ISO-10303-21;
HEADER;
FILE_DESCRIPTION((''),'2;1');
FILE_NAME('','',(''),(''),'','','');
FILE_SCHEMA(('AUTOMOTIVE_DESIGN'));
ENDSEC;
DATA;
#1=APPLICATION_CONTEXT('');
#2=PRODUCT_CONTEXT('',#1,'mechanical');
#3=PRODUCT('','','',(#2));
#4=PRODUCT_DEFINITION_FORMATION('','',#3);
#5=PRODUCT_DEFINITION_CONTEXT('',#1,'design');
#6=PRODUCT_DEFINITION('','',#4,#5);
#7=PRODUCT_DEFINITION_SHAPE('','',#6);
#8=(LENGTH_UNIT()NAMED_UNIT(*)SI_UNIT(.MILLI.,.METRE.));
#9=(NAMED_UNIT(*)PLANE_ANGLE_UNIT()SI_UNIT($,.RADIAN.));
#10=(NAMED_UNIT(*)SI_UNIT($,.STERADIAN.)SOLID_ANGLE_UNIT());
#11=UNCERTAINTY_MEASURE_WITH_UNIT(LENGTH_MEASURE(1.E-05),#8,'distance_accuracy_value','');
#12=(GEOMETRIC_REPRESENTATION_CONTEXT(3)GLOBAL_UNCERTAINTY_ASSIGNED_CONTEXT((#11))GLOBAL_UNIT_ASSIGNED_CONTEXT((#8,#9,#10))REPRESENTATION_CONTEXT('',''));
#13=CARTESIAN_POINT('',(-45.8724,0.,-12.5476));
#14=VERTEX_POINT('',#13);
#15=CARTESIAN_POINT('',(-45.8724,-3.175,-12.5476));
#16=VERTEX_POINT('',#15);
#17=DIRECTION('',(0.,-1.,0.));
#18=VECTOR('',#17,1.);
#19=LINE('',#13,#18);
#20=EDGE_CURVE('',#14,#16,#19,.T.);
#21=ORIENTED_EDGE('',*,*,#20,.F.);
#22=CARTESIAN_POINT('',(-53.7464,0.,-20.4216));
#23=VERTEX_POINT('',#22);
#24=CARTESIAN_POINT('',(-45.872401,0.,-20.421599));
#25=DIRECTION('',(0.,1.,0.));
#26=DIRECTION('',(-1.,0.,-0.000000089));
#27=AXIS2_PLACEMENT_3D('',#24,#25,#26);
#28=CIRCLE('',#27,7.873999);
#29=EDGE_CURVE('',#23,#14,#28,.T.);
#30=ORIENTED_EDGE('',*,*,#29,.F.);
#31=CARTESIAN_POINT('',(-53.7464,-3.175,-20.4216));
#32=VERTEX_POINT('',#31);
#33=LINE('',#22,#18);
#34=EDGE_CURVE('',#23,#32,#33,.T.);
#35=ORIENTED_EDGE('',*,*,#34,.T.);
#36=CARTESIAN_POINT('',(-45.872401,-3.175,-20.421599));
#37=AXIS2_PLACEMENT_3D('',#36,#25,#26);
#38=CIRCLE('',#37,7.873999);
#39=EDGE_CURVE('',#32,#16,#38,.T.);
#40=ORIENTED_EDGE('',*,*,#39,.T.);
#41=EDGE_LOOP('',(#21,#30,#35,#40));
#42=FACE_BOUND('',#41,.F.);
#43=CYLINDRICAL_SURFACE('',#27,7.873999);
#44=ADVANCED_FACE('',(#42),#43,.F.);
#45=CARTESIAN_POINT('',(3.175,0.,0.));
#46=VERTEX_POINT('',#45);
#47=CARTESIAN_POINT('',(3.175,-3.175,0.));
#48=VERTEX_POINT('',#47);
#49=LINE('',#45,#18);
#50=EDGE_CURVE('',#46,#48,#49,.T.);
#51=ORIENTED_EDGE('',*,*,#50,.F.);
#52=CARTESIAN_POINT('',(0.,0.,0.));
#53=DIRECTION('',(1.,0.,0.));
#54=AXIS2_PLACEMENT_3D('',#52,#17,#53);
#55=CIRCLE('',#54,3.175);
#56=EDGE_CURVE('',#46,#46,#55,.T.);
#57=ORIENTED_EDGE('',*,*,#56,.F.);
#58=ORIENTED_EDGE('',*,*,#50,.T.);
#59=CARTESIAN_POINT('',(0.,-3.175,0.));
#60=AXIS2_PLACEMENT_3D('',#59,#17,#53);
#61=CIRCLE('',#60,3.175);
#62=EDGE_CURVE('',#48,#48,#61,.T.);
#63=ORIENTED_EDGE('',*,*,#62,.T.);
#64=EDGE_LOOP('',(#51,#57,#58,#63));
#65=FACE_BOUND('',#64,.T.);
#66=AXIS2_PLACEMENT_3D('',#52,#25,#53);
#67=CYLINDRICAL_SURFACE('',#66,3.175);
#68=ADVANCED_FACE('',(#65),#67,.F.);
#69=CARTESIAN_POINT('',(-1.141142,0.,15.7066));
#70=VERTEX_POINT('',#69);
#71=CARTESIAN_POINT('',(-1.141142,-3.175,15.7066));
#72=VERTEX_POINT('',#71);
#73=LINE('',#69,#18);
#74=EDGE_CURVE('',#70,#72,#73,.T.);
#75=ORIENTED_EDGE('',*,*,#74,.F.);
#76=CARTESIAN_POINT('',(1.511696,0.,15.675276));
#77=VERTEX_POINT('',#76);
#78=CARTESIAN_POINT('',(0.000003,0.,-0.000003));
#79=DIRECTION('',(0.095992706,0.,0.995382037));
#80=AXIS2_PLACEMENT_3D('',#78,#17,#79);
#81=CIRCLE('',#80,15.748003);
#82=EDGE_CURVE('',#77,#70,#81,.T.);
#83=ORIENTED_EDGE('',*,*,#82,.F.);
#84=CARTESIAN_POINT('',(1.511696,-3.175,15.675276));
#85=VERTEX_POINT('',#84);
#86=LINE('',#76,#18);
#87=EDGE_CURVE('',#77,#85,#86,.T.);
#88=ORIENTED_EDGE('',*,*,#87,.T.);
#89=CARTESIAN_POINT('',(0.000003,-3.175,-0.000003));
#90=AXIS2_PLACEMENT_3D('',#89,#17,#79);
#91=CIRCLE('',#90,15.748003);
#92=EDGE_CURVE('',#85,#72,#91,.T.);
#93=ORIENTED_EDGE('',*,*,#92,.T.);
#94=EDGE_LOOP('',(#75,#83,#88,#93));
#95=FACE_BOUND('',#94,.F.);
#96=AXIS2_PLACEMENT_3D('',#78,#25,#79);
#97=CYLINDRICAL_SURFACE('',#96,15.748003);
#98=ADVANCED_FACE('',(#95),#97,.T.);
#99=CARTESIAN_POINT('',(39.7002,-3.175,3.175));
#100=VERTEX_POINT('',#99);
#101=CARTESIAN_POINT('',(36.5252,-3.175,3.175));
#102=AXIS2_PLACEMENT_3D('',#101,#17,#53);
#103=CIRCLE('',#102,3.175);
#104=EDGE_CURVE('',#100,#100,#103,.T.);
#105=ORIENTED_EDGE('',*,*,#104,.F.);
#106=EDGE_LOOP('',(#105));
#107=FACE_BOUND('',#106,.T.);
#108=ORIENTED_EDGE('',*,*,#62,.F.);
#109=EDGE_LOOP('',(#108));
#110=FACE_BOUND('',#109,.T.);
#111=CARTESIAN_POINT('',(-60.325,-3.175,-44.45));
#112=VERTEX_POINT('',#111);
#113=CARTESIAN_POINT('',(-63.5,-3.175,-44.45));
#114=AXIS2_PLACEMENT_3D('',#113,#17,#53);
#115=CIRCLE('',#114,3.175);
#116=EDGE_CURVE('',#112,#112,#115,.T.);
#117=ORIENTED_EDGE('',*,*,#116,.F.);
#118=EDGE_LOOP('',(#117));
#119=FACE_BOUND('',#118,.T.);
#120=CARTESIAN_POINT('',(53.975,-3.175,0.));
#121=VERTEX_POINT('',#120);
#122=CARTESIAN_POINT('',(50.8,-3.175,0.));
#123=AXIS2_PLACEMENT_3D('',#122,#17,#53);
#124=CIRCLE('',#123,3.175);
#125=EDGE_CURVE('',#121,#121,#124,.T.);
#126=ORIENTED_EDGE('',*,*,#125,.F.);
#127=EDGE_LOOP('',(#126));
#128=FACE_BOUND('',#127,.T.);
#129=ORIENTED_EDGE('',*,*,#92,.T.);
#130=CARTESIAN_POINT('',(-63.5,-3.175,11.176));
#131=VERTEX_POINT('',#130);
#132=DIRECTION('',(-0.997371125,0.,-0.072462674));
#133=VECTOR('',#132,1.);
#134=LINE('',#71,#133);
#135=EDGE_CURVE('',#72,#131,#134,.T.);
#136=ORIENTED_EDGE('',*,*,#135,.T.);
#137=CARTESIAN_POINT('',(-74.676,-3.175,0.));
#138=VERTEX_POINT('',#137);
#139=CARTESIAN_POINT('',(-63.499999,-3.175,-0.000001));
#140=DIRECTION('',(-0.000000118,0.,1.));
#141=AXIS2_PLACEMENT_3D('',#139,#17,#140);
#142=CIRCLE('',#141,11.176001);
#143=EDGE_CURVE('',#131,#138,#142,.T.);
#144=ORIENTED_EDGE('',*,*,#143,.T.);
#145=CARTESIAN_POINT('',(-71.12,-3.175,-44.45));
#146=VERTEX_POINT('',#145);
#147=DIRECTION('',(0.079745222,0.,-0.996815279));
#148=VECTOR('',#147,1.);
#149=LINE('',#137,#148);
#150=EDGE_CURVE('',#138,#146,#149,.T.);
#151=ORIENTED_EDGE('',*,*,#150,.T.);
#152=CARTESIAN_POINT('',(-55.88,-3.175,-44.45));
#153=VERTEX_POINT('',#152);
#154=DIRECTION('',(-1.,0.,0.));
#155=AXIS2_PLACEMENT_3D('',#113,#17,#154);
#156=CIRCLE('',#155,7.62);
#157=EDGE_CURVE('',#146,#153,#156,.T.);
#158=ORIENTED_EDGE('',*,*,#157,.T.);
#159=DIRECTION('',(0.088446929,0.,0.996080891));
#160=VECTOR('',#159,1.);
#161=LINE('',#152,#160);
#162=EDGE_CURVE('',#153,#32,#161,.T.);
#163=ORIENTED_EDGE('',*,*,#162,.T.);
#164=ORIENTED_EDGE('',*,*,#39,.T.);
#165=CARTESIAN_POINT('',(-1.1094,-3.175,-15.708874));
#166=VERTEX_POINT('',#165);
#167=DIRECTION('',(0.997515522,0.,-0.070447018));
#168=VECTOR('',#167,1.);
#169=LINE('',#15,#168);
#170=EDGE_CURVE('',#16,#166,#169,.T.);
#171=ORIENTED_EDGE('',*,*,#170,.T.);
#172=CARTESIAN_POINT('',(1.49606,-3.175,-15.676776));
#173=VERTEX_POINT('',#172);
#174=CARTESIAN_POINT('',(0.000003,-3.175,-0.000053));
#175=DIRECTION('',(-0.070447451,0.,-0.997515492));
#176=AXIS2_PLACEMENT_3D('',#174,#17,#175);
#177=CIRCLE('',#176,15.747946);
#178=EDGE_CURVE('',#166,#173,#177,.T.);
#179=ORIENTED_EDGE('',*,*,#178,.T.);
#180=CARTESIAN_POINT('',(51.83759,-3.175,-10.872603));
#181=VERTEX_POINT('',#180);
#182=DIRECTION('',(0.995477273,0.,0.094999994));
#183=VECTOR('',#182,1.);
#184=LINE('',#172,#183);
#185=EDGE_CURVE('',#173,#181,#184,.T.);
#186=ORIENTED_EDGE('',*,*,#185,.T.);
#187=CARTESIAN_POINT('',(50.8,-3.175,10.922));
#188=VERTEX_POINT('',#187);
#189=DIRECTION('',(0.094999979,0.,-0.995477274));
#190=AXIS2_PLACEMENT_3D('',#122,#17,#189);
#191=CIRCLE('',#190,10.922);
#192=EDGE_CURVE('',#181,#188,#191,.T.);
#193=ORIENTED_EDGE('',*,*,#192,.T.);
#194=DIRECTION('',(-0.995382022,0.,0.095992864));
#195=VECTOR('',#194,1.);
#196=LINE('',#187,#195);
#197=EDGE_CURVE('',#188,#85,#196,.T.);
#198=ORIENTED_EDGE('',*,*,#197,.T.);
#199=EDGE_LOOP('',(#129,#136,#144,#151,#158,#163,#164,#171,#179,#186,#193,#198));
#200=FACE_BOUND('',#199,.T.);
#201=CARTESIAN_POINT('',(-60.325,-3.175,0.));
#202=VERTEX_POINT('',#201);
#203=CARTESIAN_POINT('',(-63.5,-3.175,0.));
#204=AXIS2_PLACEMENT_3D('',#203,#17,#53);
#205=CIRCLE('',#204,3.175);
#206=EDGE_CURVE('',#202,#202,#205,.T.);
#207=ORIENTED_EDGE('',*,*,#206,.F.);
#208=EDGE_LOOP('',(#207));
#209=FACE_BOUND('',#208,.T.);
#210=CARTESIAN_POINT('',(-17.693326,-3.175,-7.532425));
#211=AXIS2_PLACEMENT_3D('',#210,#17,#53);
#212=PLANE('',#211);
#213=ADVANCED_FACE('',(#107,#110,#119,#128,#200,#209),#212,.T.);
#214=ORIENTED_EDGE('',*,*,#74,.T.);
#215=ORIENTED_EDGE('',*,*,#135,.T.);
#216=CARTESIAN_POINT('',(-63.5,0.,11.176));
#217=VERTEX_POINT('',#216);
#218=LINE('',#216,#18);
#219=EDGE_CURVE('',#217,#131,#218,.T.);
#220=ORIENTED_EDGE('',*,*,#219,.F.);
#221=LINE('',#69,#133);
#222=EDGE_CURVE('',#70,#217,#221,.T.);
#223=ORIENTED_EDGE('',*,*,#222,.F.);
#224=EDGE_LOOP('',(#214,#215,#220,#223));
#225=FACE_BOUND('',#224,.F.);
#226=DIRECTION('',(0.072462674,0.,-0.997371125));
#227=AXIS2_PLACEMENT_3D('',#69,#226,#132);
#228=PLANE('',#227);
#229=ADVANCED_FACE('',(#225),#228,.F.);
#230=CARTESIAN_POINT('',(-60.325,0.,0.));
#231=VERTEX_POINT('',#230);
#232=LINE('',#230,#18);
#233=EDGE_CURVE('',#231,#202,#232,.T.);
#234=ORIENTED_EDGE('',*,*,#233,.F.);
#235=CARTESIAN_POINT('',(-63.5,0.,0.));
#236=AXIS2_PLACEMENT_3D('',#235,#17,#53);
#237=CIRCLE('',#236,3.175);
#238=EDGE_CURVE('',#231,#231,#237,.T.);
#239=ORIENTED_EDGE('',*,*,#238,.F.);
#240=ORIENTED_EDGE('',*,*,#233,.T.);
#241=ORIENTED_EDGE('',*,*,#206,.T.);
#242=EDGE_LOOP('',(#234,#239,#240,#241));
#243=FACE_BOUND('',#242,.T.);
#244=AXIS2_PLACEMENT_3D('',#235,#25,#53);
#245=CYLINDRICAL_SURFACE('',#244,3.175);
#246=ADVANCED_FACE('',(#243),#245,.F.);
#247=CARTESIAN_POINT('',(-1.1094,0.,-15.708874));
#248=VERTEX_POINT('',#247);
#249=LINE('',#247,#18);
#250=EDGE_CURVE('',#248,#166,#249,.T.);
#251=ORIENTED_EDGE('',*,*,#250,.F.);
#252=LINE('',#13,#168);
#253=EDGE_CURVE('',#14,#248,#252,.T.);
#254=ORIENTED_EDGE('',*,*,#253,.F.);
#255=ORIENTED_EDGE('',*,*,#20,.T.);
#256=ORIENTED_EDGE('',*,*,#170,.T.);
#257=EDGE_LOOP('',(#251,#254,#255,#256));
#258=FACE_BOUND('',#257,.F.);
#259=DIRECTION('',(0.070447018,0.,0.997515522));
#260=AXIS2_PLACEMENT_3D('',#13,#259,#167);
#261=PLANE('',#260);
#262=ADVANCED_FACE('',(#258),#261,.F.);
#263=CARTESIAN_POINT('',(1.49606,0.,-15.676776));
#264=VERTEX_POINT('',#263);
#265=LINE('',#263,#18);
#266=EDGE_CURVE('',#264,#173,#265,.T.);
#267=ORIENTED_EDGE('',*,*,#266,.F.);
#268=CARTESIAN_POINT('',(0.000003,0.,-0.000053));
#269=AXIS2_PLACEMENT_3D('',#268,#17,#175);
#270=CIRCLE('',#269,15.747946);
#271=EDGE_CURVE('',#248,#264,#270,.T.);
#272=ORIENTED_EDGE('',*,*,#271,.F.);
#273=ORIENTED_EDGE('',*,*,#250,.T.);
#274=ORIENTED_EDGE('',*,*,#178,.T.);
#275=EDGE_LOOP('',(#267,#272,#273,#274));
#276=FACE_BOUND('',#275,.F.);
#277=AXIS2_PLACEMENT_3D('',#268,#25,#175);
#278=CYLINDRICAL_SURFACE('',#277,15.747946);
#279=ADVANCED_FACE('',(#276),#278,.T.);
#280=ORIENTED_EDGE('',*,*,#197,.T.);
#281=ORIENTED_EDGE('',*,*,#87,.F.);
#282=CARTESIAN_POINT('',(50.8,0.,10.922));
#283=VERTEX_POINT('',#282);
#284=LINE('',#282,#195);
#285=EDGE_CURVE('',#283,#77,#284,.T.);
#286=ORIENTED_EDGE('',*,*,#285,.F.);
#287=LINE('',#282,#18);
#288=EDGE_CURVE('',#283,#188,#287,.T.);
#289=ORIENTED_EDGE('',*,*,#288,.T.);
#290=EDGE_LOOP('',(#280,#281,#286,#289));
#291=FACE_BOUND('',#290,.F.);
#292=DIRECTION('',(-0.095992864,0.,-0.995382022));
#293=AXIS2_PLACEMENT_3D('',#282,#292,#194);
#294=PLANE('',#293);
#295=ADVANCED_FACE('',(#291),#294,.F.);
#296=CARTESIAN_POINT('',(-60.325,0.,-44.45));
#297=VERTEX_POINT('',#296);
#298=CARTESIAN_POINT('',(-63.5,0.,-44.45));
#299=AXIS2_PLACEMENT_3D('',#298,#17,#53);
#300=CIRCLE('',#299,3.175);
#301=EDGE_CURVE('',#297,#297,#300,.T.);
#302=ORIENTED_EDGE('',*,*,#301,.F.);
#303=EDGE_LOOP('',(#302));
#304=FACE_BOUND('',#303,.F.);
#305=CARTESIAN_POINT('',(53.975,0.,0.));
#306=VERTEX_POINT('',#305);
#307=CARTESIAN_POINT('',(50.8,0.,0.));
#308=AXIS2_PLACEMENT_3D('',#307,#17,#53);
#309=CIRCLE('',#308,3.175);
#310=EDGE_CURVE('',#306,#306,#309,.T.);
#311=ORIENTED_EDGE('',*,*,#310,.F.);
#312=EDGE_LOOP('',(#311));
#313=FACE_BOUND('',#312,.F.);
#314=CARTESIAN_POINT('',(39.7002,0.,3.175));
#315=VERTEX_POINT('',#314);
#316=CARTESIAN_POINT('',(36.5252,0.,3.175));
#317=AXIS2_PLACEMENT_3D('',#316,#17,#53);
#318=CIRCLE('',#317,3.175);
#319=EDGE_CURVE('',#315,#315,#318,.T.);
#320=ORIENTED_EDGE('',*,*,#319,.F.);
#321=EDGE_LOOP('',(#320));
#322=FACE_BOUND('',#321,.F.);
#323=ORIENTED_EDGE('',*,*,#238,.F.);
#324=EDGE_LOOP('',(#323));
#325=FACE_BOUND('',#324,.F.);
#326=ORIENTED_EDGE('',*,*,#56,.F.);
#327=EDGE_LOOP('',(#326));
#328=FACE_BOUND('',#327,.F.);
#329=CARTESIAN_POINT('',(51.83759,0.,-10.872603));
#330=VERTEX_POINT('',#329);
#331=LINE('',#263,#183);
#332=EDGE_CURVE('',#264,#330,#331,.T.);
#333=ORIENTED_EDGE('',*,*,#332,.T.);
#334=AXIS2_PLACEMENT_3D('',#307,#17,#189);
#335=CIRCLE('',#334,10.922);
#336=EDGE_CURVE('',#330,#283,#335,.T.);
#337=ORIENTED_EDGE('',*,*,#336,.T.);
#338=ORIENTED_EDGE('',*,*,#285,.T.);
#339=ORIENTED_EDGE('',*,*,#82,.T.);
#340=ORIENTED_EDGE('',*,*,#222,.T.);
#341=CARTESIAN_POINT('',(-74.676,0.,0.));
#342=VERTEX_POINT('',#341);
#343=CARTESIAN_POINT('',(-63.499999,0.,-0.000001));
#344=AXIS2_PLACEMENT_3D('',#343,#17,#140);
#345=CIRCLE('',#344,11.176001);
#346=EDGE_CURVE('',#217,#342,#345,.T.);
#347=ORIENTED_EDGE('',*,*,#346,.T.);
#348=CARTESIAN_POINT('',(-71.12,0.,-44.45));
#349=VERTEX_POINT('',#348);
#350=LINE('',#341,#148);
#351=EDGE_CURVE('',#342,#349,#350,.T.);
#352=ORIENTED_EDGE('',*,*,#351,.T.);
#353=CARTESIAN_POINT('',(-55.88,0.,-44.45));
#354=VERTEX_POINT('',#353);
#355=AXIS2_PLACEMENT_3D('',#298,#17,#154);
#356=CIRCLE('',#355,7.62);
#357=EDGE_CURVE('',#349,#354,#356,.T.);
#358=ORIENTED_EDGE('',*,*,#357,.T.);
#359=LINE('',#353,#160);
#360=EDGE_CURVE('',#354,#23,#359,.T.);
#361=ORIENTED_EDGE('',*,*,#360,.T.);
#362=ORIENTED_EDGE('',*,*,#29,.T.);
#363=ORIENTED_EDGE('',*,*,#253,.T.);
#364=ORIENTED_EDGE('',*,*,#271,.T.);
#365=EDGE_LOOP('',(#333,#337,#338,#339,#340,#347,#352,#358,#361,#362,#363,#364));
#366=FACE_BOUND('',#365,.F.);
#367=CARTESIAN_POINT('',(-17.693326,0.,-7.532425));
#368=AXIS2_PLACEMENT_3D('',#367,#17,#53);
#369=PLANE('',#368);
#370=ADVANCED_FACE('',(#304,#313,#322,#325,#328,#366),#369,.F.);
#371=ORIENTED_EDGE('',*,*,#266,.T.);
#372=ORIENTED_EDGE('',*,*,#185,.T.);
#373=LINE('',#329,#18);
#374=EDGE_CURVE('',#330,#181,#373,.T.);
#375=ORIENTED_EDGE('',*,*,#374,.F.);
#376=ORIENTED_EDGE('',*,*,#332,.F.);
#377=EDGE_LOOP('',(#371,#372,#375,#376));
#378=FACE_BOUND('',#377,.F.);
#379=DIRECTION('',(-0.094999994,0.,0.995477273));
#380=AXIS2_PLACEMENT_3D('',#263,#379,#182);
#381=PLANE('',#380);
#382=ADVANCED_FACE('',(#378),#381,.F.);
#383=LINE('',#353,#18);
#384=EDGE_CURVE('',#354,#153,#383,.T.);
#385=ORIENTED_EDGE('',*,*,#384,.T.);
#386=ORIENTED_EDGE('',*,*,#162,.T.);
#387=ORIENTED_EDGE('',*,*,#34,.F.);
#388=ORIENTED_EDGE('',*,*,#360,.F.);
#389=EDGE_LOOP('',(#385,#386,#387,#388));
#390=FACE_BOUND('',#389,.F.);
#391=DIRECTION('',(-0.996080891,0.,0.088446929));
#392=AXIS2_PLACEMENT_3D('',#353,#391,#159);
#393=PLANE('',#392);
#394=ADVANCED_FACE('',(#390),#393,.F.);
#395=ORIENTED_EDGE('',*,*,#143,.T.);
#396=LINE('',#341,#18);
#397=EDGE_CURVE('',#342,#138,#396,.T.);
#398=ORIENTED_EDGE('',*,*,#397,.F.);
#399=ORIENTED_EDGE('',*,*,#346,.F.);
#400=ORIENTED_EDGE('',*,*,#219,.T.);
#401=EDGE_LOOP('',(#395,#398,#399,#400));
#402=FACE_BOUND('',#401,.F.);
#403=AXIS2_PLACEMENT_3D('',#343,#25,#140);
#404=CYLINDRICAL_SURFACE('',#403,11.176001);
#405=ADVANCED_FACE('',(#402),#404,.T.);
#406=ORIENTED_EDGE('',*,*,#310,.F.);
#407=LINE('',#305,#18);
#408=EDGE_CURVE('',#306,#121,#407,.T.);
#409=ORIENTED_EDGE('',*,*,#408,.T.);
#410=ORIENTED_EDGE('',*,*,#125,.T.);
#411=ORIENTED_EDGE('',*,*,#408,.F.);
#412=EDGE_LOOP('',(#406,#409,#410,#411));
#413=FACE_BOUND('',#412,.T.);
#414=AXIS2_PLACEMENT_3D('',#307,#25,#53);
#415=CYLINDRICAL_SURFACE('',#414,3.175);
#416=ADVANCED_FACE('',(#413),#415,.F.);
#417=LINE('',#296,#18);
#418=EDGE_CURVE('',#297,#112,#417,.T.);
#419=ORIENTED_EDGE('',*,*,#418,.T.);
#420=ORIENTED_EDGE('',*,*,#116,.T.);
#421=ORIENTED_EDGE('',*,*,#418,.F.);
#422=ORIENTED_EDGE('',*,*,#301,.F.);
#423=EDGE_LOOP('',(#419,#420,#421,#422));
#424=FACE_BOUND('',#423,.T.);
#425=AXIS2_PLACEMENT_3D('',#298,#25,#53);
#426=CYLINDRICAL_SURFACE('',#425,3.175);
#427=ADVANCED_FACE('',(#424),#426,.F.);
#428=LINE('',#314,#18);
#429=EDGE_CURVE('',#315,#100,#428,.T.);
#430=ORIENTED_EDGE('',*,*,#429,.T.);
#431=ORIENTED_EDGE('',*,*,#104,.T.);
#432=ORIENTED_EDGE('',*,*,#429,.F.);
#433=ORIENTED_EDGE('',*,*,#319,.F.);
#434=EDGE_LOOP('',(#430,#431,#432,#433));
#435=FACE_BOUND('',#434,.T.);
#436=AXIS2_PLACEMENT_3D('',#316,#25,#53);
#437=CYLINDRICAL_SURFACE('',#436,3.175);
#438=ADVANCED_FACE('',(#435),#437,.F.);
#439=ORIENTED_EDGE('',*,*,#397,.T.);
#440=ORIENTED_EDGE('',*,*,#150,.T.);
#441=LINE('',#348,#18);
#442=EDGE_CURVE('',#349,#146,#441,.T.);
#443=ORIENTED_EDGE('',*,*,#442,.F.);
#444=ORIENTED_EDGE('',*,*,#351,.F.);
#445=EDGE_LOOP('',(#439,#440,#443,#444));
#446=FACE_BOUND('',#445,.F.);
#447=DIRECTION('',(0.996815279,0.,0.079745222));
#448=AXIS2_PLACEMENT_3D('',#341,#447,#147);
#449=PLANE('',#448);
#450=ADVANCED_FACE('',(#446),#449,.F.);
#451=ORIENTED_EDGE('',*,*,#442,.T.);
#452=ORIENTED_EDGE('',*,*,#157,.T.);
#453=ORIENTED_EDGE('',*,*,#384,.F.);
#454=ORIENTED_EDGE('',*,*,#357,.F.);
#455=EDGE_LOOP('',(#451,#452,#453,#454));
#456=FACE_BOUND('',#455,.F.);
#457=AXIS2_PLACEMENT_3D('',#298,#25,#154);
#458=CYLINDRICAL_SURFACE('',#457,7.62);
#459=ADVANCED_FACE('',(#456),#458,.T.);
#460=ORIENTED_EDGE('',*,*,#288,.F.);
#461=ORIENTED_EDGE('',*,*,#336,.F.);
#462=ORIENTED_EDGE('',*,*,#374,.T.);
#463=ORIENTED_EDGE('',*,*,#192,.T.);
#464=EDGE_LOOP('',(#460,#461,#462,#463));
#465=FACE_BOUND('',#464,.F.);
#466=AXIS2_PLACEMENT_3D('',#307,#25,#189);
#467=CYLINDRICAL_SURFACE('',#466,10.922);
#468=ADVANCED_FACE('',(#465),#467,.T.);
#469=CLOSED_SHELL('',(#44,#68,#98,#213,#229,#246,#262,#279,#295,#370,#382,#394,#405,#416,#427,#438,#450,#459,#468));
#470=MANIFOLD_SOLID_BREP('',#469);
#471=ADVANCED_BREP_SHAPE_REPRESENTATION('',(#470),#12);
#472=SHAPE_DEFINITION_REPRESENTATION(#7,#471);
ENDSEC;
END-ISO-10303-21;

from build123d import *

# Parameters (mm, degrees)
F0_R     = 3.175
F1_DEPTH = 3.175


with BuildPart() as f1:
    # F0 (on Front) → F1 (new body)
    with BuildSketch(Plane.XZ):
        with BuildLine():
            ThreePointArc((-63.5, 11.176), (-71.402625, 7.902625), (-74.676, 0))
            Line((-74.676, 0), (-71.12, -44.45))
            ThreePointArc((-71.12, -44.45), (-63.5, -52.07), (-55.88, -44.45))
            Line((-55.88, -44.45), (-53.7464, -20.4216))
            ThreePointArc((-53.7464, -20.4216), (-51.440159, -14.853841), (-45.8724, -12.5476))
            Line((-45.8724, -12.5476), (-1.1094, -15.708874))
            ThreePointArc((-1.1094, -15.708874), (0.193995, -15.746805), (1.49606, -15.676776))
            Line((1.49606, -15.676776), (51.83759, -10.872603))
            ThreePointArc((51.83759, -10.872603), (61.709644, 0.519383), (50.8, 10.922))
            Line((50.8, 10.922), (1.511696, 15.675276))
            ThreePointArc((1.511696, 15.675276), (0.185937, 15.746902), (-1.141142, 15.7066))
            Line((-1.141142, 15.7066), (-63.5, 11.176))
        make_face()
        with Locations((-63.5, -44.45)):
            Circle(F0_R, mode=Mode.SUBTRACT)
        with Locations((-63.5, 0)):
            Circle(F0_R, mode=Mode.SUBTRACT)
        Circle(F0_R, mode=Mode.SUBTRACT)
        with Locations((36.5252, 3.175)):
            Circle(F0_R, mode=Mode.SUBTRACT)
        with Locations((50.8, 0)):
            Circle(F0_R, mode=Mode.SUBTRACT)
    extrude(amount=F1_DEPTH)


solid = f1.part
